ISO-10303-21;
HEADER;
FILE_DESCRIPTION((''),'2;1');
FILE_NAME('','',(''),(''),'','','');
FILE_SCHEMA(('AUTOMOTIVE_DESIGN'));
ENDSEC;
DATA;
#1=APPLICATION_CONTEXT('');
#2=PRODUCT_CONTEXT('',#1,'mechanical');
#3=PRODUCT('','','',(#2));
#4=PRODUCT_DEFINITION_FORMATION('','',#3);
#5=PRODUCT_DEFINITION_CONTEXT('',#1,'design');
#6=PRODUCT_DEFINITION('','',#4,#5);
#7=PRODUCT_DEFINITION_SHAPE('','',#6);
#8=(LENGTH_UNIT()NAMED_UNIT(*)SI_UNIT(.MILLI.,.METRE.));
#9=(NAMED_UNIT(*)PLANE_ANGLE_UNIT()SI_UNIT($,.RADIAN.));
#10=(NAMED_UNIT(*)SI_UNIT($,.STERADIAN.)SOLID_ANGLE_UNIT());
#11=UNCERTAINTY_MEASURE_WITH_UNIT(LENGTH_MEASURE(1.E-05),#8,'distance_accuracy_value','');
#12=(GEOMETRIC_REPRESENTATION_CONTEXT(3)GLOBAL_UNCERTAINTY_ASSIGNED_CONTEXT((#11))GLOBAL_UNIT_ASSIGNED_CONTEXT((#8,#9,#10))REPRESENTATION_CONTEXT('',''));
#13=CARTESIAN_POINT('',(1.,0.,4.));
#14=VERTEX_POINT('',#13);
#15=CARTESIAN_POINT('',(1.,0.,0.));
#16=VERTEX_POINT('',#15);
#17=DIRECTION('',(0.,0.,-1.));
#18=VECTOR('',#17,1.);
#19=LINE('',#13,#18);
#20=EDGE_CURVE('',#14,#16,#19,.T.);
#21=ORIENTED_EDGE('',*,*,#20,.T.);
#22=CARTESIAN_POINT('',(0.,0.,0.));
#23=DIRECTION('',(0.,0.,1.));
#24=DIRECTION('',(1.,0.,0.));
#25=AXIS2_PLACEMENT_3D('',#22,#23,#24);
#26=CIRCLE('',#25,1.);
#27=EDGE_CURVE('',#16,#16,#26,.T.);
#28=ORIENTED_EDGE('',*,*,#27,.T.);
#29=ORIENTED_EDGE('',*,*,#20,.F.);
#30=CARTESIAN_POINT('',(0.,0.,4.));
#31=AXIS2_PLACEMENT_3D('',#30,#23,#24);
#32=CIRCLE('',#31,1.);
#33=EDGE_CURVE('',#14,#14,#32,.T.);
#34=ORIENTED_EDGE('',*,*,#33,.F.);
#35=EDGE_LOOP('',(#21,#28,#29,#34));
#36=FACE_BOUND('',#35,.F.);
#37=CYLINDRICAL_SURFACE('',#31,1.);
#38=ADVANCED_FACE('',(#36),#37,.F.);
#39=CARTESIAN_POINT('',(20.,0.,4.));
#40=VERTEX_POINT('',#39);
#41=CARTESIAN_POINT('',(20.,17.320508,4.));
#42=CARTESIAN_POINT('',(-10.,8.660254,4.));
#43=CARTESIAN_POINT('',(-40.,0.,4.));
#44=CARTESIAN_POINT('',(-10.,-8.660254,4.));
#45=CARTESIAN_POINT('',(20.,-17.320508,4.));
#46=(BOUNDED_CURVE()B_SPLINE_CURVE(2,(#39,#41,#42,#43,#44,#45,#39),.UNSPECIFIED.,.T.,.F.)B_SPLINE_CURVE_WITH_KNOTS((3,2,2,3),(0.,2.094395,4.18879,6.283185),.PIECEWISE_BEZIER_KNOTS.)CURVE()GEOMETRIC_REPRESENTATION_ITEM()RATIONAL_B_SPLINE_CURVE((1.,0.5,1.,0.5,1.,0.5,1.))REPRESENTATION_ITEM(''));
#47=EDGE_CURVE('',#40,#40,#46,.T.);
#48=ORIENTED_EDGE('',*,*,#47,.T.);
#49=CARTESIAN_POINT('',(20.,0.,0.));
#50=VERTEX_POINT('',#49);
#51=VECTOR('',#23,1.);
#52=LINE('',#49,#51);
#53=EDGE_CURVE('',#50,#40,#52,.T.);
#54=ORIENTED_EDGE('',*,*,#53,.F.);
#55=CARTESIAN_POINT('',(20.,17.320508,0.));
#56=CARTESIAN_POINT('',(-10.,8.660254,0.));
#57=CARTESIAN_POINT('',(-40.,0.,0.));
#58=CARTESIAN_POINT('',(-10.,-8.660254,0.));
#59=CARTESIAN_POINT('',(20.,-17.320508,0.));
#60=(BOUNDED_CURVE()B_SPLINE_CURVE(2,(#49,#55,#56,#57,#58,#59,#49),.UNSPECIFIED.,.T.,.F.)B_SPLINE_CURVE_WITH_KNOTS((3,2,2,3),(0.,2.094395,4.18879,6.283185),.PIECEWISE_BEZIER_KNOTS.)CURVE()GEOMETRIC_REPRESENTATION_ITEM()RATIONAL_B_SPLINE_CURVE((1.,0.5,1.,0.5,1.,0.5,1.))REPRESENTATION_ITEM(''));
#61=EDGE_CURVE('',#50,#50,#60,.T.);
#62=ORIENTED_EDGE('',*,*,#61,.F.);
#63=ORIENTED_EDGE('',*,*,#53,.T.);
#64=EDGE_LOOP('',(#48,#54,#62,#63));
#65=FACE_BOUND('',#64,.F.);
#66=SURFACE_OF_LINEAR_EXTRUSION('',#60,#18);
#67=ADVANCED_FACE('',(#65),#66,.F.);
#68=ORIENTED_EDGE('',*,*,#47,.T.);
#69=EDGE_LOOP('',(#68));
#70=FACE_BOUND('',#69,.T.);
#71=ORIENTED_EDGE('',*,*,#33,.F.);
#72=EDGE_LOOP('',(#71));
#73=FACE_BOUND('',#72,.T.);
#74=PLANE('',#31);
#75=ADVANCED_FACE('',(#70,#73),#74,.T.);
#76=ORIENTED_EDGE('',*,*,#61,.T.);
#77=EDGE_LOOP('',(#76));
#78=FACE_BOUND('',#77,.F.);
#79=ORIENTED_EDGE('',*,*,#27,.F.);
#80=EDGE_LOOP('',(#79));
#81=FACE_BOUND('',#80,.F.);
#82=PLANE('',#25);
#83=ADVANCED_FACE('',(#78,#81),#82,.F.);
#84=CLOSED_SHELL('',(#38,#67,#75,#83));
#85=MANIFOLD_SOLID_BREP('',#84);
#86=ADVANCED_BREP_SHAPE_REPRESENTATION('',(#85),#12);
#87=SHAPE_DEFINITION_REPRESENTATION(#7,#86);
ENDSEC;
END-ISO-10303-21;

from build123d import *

# Parameters (mm, degrees)
F1_DEPTH = 4
F2_R     = 1
F3_DEPTH = 25


with BuildPart() as f1:
    # F0 (on Top) → F1 (new body)
    with BuildSketch(Plane.XY):
        with BuildLine():
            add(Edge.make_bspline(
                [(20, 0), (20, 17.320508), (-10, 8.660254), (-40, 0), (-10, -8.660254), (20, -17.320508), (20, 0)],
                knots=[0, 0, 0, 2.094395, 2.094395, 4.18879, 4.18879, 6.283185, 6.283185, 6.283185], degree=2, weights=[1, 0.5, 1, 0.5, 1, 0.5, 1]))
        make_face()
    extrude(amount=F1_DEPTH)

    # F2 (on face) → F3 (cut)
    with BuildSketch(Plane.XY.offset(4)):
        Circle(F2_R)
    extrude(amount=-F3_DEPTH, mode=Mode.SUBTRACT)


solid = f1.part
